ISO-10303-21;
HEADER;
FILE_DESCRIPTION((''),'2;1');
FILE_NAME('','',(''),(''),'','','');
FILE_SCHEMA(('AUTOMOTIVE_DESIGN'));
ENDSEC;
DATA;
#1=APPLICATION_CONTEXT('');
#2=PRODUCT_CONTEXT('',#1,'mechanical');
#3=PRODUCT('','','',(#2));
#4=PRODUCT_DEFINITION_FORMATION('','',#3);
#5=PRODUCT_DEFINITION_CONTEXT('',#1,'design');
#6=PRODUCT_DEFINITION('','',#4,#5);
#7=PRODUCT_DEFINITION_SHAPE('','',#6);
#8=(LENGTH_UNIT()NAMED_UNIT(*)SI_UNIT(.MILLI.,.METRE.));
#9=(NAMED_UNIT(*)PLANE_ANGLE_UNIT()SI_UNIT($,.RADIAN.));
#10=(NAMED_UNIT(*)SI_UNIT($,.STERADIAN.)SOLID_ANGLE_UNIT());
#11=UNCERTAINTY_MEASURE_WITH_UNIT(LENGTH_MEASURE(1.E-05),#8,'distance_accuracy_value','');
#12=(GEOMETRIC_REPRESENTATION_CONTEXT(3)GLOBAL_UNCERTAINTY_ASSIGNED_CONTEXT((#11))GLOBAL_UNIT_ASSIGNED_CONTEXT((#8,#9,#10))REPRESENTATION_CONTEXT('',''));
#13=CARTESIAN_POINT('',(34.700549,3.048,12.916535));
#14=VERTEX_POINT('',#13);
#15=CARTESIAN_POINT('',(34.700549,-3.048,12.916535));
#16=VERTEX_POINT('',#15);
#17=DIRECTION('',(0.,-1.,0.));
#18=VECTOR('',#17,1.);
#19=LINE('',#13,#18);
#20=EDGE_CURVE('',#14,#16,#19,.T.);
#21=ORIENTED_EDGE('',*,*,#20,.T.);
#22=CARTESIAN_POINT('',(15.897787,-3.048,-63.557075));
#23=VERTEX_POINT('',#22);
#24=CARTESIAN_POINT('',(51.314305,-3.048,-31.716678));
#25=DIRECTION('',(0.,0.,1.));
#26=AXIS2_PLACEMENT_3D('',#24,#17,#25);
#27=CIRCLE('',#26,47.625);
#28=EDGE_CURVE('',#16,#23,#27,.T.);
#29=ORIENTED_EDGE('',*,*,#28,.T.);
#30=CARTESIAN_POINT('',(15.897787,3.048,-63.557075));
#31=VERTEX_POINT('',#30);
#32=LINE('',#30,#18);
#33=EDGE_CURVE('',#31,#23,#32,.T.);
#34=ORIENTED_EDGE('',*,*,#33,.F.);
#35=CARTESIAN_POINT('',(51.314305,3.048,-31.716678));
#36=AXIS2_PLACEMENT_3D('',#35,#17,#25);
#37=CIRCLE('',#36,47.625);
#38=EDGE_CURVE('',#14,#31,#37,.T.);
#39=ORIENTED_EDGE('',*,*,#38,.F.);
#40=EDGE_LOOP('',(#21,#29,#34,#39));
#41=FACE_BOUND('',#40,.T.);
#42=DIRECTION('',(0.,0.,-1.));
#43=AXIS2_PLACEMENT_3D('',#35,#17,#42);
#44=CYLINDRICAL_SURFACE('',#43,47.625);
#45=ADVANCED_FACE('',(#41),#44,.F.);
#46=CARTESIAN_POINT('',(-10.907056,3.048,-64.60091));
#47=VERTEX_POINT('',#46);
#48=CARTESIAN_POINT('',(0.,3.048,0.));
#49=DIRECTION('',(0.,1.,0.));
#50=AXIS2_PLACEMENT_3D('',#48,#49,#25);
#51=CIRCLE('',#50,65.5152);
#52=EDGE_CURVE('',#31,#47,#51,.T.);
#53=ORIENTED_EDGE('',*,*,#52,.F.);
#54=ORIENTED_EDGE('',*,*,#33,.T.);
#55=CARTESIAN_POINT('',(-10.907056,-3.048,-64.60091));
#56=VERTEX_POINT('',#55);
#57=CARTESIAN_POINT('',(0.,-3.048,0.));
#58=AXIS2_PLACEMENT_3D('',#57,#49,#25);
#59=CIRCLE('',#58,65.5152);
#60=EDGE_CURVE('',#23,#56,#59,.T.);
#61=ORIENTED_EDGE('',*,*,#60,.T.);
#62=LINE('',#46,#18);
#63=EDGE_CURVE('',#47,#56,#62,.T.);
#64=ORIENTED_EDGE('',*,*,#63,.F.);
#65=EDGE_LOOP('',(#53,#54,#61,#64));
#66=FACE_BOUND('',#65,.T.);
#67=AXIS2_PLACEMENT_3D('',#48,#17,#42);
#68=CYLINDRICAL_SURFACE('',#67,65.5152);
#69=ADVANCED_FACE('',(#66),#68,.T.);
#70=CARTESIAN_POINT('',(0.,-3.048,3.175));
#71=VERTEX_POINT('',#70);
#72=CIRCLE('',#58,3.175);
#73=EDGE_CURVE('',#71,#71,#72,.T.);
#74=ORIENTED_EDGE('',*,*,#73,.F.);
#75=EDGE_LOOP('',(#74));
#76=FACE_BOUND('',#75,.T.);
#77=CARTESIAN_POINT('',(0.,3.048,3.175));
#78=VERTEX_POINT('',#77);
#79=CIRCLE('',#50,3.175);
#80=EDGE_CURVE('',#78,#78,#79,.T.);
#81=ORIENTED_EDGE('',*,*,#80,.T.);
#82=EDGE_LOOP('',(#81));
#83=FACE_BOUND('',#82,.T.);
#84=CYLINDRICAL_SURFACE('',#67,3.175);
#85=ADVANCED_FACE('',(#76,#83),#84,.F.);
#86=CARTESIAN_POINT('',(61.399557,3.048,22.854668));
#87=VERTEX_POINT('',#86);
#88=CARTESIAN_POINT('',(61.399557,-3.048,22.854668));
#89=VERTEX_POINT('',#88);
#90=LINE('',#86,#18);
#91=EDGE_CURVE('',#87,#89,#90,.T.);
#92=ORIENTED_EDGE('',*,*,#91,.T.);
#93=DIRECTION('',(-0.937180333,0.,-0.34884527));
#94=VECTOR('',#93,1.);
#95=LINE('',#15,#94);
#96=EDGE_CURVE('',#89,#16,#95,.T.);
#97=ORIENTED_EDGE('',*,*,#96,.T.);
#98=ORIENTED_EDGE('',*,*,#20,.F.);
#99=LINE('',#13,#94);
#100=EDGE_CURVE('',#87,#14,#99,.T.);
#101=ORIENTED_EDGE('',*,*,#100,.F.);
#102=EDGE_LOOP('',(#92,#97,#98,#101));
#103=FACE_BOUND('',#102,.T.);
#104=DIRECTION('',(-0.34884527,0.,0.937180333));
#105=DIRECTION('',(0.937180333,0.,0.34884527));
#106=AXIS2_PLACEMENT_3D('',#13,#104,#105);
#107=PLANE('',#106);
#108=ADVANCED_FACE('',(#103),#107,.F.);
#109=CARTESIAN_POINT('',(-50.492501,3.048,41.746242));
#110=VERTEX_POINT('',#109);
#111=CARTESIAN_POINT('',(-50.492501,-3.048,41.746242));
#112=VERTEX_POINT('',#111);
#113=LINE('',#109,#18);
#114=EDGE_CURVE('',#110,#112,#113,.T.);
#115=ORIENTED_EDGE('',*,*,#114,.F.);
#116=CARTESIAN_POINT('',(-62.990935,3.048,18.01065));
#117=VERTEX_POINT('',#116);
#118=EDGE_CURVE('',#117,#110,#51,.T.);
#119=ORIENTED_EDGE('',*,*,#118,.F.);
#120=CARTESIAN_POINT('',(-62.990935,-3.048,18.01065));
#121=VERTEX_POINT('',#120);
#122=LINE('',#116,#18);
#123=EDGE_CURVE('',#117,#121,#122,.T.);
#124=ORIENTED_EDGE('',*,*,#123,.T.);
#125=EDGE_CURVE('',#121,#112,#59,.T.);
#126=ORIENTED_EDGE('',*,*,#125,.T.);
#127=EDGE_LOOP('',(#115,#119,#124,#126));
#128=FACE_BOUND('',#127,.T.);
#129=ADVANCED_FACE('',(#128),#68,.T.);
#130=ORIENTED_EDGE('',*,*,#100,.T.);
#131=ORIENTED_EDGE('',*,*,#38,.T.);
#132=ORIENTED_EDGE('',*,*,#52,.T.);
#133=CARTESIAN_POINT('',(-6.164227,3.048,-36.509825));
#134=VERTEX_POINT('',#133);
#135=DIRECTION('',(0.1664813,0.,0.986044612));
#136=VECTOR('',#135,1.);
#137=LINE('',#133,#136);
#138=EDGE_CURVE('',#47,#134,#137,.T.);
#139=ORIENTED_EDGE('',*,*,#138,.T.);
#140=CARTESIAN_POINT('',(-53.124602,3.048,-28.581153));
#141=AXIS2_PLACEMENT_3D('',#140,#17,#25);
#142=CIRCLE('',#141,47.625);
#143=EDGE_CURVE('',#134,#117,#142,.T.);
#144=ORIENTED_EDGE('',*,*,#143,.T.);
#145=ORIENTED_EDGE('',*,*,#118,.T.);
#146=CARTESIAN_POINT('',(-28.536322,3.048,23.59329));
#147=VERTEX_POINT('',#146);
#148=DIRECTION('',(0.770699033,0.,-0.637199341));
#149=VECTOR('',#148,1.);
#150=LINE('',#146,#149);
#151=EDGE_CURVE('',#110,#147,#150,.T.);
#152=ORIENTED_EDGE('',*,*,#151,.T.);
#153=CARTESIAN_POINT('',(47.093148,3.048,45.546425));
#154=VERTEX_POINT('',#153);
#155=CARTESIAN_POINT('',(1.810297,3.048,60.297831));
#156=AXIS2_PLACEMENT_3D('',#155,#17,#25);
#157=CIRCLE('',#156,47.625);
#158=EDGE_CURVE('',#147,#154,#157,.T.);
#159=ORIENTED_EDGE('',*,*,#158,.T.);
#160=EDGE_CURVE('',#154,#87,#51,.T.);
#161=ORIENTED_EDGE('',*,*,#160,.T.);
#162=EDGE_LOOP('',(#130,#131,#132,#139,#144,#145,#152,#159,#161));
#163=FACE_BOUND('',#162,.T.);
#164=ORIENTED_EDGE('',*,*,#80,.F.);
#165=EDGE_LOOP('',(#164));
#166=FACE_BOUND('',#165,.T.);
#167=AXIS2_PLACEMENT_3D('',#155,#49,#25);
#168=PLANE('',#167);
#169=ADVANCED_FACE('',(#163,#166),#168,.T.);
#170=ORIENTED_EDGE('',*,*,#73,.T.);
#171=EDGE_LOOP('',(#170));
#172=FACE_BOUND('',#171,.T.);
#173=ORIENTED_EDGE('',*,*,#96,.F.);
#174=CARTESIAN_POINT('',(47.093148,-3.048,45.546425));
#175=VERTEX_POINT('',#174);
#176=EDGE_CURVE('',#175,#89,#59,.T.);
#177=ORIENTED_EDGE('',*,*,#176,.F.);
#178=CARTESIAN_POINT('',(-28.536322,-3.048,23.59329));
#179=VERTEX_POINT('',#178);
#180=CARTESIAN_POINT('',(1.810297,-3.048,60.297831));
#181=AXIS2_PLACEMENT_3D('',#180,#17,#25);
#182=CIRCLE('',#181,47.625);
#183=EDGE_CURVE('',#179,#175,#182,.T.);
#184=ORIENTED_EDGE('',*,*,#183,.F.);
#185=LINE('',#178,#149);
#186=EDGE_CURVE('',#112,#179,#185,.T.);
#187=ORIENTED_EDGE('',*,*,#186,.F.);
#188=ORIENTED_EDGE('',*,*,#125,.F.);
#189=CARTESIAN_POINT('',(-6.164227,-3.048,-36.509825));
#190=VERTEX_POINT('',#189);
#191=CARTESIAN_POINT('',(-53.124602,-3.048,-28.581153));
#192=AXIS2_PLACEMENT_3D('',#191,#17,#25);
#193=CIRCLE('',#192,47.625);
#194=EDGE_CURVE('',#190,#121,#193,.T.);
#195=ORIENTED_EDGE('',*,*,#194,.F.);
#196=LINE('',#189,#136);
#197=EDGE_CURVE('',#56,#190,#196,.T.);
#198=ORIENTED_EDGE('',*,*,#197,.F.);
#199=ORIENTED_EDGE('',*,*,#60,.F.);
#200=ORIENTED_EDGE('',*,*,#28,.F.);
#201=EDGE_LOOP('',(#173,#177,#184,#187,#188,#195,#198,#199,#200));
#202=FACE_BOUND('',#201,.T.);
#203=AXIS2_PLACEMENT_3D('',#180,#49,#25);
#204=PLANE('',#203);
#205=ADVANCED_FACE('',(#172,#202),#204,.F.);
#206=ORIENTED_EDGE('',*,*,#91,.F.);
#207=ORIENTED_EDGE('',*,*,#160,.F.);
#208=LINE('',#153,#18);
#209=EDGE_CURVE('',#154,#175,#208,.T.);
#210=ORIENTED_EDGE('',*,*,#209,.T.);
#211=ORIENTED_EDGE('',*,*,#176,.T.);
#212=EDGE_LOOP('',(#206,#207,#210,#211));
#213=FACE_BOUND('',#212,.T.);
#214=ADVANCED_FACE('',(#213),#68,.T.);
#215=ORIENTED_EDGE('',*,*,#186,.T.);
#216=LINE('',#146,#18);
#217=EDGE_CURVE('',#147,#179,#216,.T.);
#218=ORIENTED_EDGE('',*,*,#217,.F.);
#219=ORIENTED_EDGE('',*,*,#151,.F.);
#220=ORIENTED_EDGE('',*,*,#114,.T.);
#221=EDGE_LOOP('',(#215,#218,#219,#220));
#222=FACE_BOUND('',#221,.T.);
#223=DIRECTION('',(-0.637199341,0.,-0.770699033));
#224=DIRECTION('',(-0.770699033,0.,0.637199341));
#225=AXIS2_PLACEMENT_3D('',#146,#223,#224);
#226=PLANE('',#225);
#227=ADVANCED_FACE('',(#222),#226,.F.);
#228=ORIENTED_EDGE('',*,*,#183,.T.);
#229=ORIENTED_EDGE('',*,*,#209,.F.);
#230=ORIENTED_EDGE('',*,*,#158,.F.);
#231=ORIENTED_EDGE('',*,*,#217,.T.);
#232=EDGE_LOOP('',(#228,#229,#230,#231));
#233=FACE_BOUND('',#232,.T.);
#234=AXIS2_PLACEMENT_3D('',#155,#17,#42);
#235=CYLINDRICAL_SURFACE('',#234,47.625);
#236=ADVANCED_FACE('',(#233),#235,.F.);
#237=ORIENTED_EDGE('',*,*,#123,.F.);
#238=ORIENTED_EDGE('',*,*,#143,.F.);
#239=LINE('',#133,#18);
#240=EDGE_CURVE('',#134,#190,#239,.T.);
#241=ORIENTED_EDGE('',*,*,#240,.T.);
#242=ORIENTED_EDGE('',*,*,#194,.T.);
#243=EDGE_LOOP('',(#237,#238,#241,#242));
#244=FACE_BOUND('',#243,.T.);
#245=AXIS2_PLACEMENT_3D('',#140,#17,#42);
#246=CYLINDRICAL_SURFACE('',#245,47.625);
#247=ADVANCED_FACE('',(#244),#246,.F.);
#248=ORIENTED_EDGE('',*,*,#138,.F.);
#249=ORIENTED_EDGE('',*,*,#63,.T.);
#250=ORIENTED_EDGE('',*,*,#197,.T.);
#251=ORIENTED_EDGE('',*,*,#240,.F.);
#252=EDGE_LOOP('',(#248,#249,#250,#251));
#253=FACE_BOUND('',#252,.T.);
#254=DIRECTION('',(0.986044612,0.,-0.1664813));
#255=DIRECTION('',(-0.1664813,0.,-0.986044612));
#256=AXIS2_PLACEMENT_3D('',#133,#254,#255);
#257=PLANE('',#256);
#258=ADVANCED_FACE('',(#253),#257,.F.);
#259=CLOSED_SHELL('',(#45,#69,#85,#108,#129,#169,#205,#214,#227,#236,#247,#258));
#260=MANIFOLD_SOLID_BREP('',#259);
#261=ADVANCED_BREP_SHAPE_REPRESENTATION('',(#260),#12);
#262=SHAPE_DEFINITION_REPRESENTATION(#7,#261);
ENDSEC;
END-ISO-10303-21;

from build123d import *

# Parameters (mm, degrees)
SKETCH1_R           = 3.175
BOSS_EXTRUDE1_DEPTH = 3.048


with BuildPart() as part:
    # Sketch1 → Boss-Extrude1 (new, symmetric)
    with BuildSketch(Plane(origin=(0, 0, 0), x_dir=(1, 0, 0), z_dir=(0, 1, 0))):
        with BuildLine():
            Line((34.700549349, -12.916534941), (61.399556839, -22.854667611))
            ThreePointArc((61.399556839, -22.854667611), (55.420174256, -34.940602415), (47.093148029, -45.546424892))
            ThreePointArc((47.093148029, -45.546424892), (15.086508303, -14.560725649), (-28.536322062, -23.593289791))
            Line((-28.536322062, -23.593289791), (-50.492501165, -41.746242199))
            ThreePointArc((-50.492501165, -41.746242199), (-57.969536443, -30.52497758), (-62.990935022, -18.010650091))
            ThreePointArc((-62.990935022, -18.010650091), (-20.153212462, -5.78493662), (-6.164227287, 36.509824732))
            Line((-6.164227287, 36.509824732), (-10.907055674, 64.600909809))
            ThreePointArc((-10.907055674, 64.600909809), (2.549362187, 65.465579995), (15.897786993, 63.557074983))
            ThreePointArc((15.897786993, 63.557074983), (5.066704158, 20.34566227), (34.700549349, -12.916534941))
        make_face()
        Circle(SKETCH1_R, mode=Mode.SUBTRACT)
    extrude(amount=BOSS_EXTRUDE1_DEPTH, both=True)


solid = part.part
